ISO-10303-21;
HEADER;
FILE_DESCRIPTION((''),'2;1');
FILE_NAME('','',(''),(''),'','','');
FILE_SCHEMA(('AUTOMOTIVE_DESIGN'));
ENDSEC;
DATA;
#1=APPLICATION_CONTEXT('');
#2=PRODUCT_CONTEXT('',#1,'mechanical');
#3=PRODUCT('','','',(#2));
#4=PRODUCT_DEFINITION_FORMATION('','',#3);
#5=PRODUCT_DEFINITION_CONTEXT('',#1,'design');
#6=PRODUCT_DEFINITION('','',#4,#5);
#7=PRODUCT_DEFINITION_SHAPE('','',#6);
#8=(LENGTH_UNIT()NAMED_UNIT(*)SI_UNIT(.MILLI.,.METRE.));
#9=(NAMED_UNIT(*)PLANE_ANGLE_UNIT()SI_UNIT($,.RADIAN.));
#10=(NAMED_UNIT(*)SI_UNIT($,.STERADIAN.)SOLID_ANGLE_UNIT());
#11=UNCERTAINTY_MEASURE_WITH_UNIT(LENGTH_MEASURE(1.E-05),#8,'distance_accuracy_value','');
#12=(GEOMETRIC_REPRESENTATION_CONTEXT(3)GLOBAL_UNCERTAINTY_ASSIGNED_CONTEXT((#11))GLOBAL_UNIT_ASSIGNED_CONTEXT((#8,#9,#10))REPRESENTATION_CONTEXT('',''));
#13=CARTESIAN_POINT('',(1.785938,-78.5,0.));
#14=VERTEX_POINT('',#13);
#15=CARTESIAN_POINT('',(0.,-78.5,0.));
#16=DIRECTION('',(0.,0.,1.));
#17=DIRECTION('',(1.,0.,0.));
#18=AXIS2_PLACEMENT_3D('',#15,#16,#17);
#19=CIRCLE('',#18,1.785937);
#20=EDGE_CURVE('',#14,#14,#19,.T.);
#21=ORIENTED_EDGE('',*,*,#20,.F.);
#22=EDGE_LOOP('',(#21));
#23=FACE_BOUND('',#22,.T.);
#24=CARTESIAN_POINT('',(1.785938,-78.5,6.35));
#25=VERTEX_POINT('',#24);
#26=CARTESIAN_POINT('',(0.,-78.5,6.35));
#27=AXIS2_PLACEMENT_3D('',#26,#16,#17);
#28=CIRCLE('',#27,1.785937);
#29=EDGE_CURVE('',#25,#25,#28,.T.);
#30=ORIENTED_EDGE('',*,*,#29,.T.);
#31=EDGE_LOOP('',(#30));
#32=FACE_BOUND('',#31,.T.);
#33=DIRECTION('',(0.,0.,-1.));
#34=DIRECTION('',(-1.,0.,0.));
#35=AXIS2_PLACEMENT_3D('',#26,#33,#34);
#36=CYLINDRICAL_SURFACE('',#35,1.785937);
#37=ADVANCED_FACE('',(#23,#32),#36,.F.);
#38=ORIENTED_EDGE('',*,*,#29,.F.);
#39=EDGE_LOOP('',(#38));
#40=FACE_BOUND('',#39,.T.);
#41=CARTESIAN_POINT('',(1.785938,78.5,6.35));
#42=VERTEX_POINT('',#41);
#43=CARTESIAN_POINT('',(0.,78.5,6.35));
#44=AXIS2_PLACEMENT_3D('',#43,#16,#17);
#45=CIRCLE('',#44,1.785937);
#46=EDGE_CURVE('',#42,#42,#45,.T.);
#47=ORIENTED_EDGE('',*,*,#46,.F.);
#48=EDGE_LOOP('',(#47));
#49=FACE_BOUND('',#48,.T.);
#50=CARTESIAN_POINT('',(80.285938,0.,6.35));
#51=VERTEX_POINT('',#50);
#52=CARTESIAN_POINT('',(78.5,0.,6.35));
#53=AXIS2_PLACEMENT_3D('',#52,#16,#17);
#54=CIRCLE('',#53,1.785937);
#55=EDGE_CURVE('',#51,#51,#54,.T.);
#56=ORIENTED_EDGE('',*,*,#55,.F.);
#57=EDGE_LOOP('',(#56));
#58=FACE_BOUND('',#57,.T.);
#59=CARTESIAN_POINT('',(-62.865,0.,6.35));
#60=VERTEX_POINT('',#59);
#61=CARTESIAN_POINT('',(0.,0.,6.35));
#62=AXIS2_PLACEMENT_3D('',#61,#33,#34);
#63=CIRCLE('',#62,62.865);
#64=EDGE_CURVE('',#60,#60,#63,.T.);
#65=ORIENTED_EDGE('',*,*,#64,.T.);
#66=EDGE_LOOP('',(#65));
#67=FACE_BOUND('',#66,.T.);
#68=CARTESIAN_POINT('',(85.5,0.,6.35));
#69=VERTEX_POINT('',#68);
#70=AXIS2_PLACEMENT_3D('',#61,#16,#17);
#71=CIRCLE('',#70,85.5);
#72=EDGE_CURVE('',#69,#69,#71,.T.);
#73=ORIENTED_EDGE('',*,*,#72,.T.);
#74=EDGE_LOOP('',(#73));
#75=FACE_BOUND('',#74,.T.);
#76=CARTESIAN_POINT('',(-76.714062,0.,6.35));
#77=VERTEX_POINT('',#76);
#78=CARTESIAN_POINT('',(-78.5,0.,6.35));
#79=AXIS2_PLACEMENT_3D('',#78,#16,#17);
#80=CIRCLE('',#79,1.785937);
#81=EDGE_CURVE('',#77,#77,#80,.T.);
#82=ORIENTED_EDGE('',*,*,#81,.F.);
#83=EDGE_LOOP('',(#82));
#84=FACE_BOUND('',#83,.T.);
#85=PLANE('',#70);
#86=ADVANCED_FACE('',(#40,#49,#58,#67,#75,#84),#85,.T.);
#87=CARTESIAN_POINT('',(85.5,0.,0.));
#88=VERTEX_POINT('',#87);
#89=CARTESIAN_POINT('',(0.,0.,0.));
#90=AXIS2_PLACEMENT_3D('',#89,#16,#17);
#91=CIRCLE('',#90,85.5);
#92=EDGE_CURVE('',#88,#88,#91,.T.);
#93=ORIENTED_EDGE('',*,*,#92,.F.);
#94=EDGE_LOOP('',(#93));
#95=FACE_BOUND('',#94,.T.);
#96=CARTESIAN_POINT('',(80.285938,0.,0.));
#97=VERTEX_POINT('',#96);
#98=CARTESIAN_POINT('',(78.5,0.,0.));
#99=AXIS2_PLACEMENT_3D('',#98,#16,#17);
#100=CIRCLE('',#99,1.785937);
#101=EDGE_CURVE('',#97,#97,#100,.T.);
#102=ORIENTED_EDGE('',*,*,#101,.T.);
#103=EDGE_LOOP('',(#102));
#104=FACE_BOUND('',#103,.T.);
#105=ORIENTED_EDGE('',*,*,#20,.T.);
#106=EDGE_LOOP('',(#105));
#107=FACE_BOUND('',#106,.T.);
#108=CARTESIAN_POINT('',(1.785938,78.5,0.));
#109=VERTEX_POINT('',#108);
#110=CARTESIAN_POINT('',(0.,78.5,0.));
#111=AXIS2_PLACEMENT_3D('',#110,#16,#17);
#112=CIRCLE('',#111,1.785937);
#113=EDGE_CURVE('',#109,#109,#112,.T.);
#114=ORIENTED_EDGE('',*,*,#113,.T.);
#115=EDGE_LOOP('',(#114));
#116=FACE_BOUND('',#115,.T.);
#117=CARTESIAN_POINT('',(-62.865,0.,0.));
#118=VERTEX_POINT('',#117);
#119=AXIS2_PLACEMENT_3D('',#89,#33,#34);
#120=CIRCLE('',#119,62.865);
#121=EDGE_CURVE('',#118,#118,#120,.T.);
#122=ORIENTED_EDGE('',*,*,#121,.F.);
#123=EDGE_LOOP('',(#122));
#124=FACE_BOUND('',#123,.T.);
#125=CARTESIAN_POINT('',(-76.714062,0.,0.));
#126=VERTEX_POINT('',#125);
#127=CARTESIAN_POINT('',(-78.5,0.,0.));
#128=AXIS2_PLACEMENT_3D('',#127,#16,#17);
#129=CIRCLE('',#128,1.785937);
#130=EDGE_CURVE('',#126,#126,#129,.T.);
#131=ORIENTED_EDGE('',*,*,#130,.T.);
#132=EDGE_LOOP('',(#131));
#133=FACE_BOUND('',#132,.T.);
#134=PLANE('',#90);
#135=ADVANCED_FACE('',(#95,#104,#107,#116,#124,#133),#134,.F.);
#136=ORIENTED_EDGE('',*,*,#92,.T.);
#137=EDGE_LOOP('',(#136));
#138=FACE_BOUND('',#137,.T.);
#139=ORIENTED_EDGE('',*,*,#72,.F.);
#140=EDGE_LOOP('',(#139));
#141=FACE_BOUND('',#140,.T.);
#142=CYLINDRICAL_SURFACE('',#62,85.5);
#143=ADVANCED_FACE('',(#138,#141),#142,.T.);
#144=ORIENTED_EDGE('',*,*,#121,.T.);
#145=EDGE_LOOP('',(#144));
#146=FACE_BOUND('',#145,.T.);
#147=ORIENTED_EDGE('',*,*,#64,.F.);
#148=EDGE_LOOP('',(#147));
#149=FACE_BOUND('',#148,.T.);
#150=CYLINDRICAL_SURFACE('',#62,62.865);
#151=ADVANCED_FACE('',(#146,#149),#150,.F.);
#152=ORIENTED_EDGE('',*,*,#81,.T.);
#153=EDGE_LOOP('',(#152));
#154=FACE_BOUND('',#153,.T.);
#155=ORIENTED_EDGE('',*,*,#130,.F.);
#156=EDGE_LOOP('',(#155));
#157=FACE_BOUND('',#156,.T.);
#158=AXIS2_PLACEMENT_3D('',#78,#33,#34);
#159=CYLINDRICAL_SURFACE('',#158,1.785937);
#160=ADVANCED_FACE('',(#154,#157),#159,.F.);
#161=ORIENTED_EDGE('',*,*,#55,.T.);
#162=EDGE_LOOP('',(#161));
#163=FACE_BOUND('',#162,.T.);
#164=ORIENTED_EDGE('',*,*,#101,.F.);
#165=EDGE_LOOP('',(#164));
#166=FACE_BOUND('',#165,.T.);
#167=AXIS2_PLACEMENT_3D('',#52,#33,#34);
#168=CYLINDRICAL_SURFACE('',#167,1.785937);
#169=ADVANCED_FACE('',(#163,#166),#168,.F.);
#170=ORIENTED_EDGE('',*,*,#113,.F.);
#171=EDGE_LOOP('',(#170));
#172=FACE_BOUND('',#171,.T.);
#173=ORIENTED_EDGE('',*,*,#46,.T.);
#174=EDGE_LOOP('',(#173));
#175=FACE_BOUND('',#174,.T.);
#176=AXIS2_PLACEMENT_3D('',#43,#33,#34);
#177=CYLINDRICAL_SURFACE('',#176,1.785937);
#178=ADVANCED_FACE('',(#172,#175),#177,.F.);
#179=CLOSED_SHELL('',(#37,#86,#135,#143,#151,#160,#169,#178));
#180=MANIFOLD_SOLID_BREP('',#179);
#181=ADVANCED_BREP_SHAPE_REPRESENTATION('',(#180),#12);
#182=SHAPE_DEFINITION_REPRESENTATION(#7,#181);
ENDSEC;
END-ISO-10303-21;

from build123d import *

# Parameters (mm, degrees)
SKETCH1_R           = 85.5
SKETCH1_R_2         = 1.7859375
BOSS_EXTRUDE1_DEPTH = 6.35
SKETCH7_R           = 62.865
CUT_EXTRUDE4_DEPTH  = 122.081883451


with BuildPart() as part:
    # Sketch1 → Boss-Extrude1 (new body)
    with BuildSketch(Plane.XY):
        Circle(SKETCH1_R)
        with Locations((0, 78.499999972)):
            Circle(SKETCH1_R_2, mode=Mode.SUBTRACT)
        with Locations((78.5, 0)):
            Circle(SKETCH1_R_2, mode=Mode.SUBTRACT)
        with Locations((2.8e-08, -78.5)):
            Circle(SKETCH1_R_2, mode=Mode.SUBTRACT)
        with Locations((-78.499999972, -2.8e-08)):
            Circle(SKETCH1_R_2, mode=Mode.SUBTRACT)
    extrude(amount=BOSS_EXTRUDE1_DEPTH)

    # Sketch7 → Cut-Extrude4 (cut, through all)
    with BuildSketch(Plane(origin=(0, 0, 0), x_dir=(-1, 0, 0), z_dir=(0, 0, -1))):
        Circle(SKETCH7_R)
    extrude(amount=-CUT_EXTRUDE4_DEPTH, mode=Mode.SUBTRACT)


solid = part.part
